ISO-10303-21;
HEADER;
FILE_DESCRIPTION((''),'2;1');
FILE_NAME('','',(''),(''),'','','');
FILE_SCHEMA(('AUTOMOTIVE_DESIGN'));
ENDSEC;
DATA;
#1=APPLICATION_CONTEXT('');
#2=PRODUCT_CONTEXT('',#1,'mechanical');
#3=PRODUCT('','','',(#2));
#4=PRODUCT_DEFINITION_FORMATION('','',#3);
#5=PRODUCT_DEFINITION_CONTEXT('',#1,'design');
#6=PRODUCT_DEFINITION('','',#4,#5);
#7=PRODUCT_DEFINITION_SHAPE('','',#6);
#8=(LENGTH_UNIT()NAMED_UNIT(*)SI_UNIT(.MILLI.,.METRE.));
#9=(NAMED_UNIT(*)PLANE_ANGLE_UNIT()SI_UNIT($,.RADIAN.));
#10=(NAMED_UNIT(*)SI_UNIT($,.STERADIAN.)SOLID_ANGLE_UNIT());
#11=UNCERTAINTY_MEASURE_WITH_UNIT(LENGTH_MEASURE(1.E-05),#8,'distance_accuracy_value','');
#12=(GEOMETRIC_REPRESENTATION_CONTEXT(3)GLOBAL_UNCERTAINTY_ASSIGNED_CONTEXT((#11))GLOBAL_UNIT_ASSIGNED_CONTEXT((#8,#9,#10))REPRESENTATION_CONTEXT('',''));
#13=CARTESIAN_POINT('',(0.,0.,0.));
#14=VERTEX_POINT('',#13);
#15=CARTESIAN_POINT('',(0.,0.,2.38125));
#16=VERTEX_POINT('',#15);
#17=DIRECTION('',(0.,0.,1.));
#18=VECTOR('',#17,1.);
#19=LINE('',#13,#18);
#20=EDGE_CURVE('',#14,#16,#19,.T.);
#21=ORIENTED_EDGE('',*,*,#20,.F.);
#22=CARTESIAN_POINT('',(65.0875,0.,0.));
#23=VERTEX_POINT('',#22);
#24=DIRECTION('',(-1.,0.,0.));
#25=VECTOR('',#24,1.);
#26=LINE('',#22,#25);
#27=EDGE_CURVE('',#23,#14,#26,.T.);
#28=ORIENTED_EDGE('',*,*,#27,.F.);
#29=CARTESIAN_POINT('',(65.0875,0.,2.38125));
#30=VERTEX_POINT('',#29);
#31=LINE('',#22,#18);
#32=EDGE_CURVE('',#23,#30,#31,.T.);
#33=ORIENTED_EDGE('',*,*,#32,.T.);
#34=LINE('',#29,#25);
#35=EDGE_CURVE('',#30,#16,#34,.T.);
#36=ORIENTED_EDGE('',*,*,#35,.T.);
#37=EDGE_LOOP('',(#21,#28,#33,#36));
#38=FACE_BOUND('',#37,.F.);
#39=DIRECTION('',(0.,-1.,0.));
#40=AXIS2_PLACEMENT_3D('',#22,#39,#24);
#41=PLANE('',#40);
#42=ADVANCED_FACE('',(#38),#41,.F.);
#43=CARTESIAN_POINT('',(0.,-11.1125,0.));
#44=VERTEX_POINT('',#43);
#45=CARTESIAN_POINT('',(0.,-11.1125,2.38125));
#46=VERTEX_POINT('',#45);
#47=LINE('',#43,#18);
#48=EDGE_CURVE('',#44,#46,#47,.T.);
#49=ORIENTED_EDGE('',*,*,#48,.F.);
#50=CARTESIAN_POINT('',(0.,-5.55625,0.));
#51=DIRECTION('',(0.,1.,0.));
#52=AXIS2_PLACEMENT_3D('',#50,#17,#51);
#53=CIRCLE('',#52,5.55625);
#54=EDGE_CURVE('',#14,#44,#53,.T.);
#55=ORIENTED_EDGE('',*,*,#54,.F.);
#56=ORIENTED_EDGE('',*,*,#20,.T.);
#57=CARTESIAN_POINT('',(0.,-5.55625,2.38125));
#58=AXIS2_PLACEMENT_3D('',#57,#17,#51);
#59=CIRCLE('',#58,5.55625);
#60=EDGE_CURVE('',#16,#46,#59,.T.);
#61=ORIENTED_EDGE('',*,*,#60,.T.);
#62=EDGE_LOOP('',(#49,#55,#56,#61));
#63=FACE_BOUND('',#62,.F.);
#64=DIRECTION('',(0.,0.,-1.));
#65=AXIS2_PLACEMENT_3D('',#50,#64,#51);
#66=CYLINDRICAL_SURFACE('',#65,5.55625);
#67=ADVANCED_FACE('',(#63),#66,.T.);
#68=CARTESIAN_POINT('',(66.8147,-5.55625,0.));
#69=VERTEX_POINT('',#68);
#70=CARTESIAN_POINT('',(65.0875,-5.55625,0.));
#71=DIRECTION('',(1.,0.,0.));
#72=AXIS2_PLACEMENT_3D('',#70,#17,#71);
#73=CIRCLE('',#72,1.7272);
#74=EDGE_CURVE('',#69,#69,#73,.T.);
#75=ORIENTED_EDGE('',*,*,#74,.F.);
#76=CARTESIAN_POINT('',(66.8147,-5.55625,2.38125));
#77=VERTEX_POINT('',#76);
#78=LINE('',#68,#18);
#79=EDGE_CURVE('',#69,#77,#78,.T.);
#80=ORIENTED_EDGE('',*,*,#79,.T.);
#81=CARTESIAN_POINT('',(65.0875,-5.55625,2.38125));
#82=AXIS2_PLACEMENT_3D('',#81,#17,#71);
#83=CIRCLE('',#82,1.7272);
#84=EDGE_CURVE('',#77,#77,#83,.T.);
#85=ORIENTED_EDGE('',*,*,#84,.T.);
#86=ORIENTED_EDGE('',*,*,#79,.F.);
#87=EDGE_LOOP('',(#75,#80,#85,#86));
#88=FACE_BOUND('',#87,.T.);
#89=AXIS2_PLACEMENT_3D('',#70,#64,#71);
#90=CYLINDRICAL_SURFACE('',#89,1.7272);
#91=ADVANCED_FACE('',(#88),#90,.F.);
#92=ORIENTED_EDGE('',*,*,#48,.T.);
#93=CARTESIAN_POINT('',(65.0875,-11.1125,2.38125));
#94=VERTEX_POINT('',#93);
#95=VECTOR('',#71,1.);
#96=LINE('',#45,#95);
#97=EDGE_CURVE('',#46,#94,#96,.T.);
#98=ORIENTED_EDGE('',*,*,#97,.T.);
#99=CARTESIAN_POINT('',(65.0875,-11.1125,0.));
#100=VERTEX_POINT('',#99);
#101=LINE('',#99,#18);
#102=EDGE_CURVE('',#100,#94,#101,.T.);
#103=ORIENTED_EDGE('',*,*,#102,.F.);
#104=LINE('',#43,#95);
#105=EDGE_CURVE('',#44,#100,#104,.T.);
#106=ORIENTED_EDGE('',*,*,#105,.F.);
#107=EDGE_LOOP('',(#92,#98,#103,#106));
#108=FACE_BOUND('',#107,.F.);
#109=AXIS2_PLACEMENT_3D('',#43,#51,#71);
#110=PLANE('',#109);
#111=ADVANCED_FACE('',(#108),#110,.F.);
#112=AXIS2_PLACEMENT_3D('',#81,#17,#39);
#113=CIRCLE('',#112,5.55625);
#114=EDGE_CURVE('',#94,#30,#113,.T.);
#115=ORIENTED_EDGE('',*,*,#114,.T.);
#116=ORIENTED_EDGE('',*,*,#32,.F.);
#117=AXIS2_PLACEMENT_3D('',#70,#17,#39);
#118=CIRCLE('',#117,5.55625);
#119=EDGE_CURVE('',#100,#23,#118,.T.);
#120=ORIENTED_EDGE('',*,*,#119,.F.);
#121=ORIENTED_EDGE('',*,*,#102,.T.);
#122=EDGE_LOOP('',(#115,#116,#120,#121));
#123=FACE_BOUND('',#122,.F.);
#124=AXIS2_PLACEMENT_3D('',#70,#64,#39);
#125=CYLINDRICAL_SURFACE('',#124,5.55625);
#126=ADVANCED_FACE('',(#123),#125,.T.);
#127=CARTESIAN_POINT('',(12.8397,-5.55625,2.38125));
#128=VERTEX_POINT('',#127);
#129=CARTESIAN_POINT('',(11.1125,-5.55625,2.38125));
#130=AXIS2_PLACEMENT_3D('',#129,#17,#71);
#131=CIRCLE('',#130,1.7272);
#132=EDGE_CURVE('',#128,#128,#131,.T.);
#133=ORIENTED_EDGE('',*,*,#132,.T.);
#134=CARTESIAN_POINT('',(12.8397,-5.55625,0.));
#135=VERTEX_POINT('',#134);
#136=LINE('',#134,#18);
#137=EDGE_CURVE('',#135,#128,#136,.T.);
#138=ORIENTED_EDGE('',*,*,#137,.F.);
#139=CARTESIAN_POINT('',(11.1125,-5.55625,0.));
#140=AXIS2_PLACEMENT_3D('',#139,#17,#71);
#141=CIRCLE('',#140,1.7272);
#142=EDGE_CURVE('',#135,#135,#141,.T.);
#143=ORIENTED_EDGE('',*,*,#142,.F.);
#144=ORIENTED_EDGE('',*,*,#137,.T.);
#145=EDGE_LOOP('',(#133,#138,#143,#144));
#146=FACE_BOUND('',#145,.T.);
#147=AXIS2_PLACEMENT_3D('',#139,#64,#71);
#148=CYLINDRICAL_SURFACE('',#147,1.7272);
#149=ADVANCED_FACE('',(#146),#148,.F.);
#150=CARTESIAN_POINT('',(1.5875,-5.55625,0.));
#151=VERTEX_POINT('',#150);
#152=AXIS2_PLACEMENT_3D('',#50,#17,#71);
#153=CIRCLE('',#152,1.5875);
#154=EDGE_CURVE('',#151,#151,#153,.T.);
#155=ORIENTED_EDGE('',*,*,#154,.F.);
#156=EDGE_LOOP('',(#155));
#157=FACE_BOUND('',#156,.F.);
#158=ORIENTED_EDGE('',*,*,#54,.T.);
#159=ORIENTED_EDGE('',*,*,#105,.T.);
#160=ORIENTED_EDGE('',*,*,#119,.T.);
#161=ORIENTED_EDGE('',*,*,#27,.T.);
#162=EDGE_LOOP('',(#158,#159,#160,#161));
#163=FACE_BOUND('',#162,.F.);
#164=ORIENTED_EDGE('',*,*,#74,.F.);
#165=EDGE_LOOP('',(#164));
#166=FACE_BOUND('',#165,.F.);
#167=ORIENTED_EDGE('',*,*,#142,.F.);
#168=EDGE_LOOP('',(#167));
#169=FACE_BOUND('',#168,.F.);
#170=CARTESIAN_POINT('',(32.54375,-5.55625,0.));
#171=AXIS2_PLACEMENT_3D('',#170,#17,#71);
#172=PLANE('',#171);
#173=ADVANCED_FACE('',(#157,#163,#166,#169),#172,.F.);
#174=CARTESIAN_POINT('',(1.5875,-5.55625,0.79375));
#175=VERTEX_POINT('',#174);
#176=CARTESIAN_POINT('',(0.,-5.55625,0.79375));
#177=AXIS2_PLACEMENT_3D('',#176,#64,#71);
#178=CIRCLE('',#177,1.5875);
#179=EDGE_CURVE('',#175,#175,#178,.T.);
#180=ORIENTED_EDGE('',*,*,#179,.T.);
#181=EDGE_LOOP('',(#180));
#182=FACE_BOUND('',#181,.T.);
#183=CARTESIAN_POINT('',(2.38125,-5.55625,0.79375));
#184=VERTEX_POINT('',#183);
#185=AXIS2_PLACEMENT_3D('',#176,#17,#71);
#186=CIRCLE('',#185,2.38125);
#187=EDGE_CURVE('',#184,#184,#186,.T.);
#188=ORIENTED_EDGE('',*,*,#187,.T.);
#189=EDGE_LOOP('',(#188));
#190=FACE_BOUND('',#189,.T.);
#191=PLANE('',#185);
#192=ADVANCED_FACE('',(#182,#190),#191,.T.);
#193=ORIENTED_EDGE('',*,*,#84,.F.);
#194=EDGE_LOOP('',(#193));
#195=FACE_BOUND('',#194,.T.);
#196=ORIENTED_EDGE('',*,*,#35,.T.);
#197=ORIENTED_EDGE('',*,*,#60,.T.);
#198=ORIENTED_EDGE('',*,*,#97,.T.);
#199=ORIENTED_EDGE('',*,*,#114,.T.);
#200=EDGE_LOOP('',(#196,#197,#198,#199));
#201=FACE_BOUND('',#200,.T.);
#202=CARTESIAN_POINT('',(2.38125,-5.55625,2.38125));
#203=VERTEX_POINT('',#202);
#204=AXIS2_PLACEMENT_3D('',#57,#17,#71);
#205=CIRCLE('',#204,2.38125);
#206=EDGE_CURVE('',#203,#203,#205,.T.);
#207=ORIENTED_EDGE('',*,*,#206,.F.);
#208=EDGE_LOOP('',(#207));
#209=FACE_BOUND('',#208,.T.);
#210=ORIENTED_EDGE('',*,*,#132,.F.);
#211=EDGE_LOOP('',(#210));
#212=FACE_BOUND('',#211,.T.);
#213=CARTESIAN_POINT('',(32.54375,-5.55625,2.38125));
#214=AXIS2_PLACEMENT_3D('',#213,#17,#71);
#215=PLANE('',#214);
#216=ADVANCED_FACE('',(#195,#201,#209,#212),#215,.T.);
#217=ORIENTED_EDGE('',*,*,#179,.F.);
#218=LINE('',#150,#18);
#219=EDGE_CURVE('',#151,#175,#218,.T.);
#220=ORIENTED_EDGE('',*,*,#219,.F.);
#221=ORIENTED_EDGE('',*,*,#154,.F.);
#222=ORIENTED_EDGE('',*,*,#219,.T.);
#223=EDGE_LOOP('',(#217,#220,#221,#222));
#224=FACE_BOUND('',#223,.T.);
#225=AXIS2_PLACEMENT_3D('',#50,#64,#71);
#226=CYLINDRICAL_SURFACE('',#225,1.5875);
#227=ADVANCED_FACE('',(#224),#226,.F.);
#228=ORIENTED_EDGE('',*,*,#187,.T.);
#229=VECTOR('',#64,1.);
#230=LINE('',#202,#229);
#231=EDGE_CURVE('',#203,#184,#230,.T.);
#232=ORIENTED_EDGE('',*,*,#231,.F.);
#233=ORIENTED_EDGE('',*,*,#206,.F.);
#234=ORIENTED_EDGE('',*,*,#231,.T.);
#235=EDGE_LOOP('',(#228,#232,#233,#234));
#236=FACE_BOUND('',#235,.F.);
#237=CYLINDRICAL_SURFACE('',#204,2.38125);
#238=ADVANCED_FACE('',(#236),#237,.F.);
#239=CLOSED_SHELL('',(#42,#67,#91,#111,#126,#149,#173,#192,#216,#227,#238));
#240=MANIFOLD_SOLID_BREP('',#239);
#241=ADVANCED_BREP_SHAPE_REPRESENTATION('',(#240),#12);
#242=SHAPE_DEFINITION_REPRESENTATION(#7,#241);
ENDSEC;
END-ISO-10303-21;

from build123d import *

# Parameters (mm, degrees)
F0_R     = 1.5875
F0_R_2   = 1.7272
F1_DEPTH = 2.38125
F2_R     = 2.38125
F3_DEPTH = 1.5875


with BuildPart() as f1:
    # F0 (on Top) → F1 (new body)
    with BuildSketch(Plane.XY):
        with BuildLine():
            Line((65.0875, 0), (0, 0))
            ThreePointArc((0, 0), (-5.55625, -5.55625), (0, -11.1125))
            Line((0, -11.1125), (65.0875, -11.1125))
            ThreePointArc((65.0875, -11.1125), (70.64375, -5.55625), (65.0875, 0))
        make_face()
        with Locations((0, -5.55625)):
            Circle(F0_R, mode=Mode.SUBTRACT)
        with Locations((11.1125, -5.55625)):
            Circle(F0_R_2, mode=Mode.SUBTRACT)
        with Locations((65.0875, -5.55625)):
            Circle(F0_R_2, mode=Mode.SUBTRACT)
    extrude(amount=F1_DEPTH)

    # F2 (on face) → F3 (cut)
    with BuildSketch(Plane.XY.offset(2.38125)):
        with Locations((0, -5.55625)):
            Circle(F2_R)
    extrude(amount=-F3_DEPTH, mode=Mode.SUBTRACT)


solid = f1.part
